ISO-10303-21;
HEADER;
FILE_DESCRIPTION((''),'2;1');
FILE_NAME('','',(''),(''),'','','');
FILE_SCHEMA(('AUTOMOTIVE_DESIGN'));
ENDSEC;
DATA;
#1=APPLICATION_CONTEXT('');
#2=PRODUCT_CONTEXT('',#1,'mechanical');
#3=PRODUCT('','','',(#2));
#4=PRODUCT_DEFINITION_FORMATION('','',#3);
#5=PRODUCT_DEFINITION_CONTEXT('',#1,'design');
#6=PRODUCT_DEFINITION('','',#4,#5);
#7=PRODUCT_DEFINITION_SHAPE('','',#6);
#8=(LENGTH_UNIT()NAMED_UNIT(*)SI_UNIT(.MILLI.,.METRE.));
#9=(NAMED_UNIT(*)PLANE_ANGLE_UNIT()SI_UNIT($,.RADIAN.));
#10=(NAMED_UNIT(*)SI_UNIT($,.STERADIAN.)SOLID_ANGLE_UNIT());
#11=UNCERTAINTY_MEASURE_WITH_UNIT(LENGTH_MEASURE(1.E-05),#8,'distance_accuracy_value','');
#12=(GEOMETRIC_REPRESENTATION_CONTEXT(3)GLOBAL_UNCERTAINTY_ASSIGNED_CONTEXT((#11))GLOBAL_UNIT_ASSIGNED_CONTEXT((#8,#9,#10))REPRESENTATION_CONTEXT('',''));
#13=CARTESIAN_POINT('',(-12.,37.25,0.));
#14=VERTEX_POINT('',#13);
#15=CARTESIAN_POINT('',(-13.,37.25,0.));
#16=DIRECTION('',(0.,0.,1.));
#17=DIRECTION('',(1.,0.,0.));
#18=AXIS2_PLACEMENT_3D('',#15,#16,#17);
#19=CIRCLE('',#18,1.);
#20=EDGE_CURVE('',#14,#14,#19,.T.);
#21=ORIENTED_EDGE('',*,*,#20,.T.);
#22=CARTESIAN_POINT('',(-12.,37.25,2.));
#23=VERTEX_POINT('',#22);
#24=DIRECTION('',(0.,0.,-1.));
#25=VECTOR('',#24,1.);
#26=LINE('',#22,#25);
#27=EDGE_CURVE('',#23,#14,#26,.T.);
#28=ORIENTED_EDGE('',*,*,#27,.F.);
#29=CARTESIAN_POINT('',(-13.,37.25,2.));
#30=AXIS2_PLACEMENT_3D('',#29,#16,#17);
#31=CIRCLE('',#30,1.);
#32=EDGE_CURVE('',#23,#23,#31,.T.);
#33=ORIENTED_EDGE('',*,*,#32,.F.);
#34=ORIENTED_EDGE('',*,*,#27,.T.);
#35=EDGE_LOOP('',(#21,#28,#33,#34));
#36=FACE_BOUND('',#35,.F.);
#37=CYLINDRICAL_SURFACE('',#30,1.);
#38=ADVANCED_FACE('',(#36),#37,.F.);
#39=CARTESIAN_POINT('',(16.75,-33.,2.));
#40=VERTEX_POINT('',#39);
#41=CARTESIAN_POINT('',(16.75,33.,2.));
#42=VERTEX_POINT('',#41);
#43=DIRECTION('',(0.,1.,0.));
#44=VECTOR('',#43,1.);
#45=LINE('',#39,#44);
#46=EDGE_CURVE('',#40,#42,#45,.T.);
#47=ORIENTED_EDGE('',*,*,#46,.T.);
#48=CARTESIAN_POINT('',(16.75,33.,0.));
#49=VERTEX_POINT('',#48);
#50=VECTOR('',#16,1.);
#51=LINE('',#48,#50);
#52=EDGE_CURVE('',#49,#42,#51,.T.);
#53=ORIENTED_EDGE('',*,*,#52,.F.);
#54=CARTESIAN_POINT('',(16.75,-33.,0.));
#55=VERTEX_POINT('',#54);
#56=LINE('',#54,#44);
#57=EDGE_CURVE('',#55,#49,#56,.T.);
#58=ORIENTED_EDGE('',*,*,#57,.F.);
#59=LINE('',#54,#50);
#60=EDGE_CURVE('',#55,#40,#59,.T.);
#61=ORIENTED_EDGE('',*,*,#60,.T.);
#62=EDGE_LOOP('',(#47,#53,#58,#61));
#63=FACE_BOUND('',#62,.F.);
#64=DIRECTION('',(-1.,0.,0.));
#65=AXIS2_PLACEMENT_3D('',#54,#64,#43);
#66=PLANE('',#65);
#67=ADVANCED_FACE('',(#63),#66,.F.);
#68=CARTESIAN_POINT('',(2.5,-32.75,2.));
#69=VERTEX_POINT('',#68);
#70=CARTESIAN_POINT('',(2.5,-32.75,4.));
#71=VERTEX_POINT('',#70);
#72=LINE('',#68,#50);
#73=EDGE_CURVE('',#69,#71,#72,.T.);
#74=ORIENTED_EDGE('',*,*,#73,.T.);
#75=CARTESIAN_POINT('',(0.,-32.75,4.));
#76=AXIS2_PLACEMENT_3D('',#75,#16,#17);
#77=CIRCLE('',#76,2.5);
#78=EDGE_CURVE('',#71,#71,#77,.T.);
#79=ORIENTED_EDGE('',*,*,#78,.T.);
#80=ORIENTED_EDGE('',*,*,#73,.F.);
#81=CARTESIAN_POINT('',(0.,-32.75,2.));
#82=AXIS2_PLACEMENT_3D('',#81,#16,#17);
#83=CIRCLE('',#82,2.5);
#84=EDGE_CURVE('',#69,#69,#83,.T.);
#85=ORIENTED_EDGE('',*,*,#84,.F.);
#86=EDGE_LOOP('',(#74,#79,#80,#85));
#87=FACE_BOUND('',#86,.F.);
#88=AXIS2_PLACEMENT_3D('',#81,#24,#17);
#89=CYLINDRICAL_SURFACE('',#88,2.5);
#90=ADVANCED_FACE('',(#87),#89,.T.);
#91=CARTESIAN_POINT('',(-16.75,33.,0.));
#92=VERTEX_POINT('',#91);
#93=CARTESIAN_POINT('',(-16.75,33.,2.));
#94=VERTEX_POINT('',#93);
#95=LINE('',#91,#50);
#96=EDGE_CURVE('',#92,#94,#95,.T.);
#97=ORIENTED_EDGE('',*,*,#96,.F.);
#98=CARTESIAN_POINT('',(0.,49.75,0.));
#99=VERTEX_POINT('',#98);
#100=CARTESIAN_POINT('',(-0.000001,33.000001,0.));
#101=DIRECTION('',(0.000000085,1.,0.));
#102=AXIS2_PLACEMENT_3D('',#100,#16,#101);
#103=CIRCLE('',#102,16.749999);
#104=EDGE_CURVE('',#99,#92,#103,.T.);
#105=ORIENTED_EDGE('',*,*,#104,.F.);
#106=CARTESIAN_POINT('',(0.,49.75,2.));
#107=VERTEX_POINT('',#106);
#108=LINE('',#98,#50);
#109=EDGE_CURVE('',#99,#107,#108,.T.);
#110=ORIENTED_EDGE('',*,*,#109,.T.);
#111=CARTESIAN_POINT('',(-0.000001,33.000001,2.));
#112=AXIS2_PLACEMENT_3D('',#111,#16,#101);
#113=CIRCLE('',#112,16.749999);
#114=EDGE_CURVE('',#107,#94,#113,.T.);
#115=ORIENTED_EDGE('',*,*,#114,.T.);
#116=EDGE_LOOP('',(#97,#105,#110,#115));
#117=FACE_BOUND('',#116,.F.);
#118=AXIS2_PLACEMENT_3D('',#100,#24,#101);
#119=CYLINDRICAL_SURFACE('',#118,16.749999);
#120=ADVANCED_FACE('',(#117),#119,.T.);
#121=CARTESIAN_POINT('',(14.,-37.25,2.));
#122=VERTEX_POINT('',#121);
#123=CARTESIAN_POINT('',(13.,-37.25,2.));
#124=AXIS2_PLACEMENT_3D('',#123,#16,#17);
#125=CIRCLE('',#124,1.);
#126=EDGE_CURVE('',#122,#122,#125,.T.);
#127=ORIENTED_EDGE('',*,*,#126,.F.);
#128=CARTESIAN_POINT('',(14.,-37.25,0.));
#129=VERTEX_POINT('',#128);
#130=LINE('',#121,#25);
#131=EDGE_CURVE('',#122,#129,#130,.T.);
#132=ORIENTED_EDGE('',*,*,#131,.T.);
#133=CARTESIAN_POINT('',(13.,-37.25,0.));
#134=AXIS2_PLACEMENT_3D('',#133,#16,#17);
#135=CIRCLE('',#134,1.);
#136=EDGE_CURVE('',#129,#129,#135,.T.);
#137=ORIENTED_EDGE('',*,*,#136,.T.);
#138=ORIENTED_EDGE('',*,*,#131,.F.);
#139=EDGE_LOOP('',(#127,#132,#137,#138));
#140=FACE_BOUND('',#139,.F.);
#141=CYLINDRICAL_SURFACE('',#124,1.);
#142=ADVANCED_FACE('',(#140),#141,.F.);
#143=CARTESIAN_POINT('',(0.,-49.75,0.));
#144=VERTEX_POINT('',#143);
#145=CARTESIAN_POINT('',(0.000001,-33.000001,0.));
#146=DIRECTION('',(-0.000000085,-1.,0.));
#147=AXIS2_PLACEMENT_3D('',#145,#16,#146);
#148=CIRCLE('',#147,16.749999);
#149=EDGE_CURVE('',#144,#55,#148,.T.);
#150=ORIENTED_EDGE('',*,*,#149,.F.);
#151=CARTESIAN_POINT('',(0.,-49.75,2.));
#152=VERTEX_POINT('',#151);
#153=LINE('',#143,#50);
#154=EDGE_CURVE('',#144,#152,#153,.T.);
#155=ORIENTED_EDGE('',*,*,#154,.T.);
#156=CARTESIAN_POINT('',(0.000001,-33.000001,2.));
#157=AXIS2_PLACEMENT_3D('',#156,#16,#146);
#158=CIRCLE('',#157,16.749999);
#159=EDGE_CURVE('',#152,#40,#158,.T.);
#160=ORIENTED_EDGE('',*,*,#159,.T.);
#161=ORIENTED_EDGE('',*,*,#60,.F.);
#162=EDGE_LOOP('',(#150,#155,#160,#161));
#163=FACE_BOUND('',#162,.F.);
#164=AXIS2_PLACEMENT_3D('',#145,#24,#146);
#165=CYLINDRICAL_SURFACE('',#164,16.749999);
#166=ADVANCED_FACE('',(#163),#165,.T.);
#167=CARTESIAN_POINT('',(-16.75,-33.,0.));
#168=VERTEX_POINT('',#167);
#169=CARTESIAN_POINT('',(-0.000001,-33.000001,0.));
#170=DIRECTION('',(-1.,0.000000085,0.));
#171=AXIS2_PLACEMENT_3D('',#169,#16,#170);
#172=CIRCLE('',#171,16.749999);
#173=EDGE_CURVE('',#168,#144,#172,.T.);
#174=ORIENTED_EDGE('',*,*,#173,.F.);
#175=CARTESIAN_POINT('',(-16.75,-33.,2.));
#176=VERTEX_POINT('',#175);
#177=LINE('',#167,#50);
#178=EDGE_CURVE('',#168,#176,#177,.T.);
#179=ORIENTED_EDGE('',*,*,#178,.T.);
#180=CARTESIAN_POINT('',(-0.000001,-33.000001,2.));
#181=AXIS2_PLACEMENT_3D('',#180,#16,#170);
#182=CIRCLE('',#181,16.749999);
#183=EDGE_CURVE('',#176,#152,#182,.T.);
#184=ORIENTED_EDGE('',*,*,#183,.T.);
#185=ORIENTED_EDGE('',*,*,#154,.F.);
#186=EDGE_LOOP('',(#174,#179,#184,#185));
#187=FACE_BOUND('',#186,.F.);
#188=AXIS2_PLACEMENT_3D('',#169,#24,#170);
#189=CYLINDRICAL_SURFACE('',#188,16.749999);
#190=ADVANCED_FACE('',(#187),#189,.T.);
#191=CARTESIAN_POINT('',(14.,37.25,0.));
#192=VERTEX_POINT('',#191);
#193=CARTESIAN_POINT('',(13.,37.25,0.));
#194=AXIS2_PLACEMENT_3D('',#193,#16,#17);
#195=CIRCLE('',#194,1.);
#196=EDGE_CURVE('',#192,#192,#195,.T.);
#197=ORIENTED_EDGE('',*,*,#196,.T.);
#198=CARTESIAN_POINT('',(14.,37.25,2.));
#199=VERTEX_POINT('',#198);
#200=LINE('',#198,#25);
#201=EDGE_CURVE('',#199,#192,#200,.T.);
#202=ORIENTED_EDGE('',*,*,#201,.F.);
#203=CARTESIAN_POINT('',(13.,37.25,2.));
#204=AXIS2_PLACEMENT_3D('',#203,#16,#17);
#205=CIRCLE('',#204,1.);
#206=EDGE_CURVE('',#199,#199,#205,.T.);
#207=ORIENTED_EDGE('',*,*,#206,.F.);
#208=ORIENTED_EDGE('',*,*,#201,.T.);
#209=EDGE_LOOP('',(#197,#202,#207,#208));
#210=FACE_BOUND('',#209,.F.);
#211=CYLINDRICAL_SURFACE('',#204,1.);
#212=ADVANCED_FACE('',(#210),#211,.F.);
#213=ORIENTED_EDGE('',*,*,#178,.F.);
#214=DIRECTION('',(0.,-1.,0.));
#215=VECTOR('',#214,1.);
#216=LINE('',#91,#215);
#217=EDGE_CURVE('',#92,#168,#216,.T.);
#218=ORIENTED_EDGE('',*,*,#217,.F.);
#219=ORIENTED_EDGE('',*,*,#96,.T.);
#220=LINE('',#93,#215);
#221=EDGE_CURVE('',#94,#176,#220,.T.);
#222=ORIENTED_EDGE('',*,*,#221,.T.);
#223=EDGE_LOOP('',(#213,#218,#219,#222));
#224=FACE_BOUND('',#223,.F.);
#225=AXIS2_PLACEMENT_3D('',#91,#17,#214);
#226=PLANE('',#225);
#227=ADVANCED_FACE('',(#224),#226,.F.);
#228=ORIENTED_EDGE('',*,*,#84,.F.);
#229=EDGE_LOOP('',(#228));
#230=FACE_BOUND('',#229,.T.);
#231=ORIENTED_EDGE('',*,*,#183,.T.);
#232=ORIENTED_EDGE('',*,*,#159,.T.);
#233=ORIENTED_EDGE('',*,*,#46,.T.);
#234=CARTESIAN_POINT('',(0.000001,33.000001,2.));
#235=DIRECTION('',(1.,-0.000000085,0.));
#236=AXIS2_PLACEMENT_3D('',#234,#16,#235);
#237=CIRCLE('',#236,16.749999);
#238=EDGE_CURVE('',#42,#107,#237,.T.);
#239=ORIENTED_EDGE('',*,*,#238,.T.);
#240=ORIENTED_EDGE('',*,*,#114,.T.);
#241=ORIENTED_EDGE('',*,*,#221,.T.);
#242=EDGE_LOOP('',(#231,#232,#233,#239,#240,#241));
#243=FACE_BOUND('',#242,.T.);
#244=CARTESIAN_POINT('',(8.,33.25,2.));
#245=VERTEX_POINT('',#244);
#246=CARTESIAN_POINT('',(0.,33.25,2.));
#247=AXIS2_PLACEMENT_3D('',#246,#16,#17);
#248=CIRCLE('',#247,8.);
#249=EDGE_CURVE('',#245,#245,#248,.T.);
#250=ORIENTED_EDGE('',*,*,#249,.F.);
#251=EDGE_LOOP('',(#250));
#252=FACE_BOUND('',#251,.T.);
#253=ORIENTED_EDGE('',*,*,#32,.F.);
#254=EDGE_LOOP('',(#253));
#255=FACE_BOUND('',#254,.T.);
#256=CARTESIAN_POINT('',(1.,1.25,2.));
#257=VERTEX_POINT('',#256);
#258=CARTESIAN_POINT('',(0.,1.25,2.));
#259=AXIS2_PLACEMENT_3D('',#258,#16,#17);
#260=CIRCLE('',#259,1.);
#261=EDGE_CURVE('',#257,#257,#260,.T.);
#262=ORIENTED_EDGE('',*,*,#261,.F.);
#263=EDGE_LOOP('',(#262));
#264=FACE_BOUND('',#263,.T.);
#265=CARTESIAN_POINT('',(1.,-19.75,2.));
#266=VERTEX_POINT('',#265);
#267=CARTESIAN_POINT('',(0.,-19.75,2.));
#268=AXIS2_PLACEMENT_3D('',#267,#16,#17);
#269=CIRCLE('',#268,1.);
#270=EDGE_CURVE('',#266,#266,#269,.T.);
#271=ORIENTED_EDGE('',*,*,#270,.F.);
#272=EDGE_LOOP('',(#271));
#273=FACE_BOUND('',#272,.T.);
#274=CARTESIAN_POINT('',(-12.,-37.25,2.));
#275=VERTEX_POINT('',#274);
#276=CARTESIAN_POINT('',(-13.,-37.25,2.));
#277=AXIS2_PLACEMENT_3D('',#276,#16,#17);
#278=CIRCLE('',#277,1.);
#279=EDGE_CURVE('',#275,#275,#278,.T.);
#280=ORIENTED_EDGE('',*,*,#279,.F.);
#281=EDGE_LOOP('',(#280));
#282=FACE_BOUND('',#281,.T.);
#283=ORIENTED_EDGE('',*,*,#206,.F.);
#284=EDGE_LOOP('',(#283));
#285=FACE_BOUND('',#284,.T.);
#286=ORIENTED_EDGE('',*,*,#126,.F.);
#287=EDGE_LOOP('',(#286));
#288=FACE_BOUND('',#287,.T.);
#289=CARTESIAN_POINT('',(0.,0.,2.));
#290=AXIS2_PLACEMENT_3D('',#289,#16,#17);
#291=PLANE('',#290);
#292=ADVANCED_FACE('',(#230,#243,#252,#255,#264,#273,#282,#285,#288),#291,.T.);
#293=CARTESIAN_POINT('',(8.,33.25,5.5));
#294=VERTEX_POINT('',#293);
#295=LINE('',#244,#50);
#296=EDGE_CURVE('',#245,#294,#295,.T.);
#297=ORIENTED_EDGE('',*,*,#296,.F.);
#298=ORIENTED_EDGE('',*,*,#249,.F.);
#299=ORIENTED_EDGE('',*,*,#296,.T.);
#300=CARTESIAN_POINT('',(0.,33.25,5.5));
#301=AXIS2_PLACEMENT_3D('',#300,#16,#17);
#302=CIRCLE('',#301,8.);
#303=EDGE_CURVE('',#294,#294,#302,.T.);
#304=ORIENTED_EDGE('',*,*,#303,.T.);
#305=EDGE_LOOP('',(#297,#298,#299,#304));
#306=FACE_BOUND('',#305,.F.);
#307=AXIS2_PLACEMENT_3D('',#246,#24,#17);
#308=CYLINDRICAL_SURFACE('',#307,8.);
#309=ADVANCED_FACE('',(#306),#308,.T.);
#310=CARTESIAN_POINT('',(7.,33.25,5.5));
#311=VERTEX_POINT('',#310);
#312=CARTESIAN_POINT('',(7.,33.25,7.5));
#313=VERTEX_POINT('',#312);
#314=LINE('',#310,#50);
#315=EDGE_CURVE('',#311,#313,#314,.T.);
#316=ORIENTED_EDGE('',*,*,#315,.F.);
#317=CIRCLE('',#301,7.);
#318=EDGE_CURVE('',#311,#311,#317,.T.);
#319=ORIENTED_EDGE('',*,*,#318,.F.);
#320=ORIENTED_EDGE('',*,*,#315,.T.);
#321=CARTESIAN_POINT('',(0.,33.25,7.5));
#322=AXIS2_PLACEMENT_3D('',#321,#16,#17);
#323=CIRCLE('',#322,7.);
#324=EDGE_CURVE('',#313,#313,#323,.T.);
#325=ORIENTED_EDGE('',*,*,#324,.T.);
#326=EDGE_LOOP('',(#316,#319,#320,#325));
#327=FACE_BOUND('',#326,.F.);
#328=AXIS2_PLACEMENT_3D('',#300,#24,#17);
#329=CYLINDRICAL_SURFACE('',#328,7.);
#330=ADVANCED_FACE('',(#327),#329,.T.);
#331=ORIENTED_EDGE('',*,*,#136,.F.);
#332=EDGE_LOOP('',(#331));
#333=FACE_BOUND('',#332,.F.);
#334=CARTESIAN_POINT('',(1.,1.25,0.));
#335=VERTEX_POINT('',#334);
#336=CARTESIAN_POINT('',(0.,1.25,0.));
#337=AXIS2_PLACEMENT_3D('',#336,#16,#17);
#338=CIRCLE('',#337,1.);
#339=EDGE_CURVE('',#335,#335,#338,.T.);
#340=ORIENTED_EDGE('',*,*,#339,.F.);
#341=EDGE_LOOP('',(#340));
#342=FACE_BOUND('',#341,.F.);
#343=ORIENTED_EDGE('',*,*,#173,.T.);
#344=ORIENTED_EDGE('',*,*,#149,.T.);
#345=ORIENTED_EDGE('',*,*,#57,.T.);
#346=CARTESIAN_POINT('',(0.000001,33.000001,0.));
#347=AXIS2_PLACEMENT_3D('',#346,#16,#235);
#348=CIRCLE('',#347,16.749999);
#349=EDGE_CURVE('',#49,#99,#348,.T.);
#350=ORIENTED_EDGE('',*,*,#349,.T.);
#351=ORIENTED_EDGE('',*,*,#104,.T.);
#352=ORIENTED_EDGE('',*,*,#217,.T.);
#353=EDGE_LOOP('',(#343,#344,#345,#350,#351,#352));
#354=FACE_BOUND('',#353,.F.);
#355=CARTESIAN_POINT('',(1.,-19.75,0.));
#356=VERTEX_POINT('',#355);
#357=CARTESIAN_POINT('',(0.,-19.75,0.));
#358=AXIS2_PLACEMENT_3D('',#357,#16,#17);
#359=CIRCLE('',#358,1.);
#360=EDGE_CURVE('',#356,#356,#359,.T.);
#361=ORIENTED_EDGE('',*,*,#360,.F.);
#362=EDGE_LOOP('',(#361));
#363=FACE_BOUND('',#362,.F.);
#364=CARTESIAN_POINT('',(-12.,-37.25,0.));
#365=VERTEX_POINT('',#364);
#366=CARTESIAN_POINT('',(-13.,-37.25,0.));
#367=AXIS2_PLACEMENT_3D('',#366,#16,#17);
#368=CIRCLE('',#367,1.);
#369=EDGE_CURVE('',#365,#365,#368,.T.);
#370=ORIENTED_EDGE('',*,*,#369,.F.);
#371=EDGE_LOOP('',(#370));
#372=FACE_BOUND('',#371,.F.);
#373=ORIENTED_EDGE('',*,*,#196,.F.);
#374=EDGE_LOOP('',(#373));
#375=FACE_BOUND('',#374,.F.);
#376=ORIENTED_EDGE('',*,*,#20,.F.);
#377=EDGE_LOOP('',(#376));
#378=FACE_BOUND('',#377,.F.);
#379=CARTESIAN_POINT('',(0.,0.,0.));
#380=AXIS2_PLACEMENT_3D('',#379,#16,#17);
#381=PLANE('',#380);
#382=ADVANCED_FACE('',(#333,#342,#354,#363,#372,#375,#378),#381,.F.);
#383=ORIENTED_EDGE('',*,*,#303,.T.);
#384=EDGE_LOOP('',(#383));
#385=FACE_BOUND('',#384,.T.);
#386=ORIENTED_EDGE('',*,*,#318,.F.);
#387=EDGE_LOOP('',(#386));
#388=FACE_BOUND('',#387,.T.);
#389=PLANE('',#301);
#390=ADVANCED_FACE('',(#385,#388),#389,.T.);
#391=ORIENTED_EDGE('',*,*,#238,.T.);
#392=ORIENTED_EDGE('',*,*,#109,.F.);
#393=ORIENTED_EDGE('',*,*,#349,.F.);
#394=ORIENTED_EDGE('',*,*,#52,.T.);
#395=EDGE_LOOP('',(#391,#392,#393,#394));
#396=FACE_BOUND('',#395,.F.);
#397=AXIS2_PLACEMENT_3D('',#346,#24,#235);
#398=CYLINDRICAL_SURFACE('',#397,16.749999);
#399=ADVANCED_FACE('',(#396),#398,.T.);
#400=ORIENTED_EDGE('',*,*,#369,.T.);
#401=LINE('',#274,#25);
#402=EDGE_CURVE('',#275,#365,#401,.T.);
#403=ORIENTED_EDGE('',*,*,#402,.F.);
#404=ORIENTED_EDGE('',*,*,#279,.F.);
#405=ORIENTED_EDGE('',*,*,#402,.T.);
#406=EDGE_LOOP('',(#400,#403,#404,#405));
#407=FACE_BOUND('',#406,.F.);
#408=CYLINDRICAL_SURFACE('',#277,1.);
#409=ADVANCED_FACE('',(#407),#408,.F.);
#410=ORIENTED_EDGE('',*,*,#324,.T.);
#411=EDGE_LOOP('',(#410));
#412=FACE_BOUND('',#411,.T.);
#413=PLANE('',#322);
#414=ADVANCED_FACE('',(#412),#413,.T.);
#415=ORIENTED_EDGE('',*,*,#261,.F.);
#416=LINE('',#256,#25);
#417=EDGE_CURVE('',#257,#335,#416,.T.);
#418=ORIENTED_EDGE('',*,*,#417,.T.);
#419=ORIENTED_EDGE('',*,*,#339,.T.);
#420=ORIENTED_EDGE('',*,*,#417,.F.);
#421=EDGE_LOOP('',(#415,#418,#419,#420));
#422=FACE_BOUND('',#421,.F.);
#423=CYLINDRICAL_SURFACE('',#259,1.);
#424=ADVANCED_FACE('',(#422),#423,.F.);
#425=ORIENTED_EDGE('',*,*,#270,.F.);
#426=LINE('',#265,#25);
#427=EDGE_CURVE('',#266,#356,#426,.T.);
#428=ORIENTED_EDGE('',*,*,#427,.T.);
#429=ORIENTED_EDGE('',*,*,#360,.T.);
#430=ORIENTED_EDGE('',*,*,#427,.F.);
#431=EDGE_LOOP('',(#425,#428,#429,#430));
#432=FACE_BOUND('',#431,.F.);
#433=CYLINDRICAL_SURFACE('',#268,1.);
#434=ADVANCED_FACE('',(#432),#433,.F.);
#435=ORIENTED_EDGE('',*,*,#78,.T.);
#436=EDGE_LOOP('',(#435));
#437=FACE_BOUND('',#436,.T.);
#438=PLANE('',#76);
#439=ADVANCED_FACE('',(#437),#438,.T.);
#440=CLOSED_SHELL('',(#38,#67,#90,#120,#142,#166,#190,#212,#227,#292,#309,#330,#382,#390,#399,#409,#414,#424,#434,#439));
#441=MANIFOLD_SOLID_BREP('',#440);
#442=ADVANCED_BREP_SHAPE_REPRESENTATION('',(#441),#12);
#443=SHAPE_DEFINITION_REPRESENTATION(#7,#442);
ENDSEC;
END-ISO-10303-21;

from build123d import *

# Parameters (mm, degrees)
F1_DEPTH = 2
F2_R     = 1
F3_DEPTH = 2.001
F4_R     = 8
F5_DEPTH = 3.5
F6_R     = 7
F7_DEPTH = 2
F8_R     = 2.5
F9_DEPTH = 2


with BuildPart() as f1:
    # F0 (on Top) → F1 (new body)
    with BuildSketch(Plane.XY):
        with BuildLine():
            Line((16.75, -33), (16.75, 33))
            ThreePointArc((16.75, 33), (11.844039, 44.844039), (0, 49.75))
            ThreePointArc((0, 49.75), (-11.844039, 44.844039), (-16.75, 33))
            Line((-16.75, 33), (-16.75, -33))
            ThreePointArc((-16.75, -33), (-11.844039, -44.844039), (0, -49.75))
            ThreePointArc((0, -49.75), (11.844039, -44.844039), (16.75, -33))
        make_face()
    extrude(amount=F1_DEPTH)

    # F2 (on face) → F3 (cut, through all)
    with BuildSketch(Plane.XY.offset(2)):
        with Locations((-13, -37.25)):
            Circle(F2_R)
        with Locations((13, -37.25)):
            Circle(F2_R)
        with Locations((0, 1.25)):
            Circle(F2_R)
        with Locations((0, -19.75)):
            Circle(F2_R)
        with Locations((13, 37.25)):
            Circle(F2_R)
        with Locations((-13, 37.25)):
            Circle(F2_R)
    extrude(amount=-F3_DEPTH, mode=Mode.SUBTRACT)

    # F4 (on face) → F5 (join)
    with BuildSketch(Plane.XY.offset(2)):
        with Locations((0, 33.25)):
            Circle(F4_R)
    extrude(amount=F5_DEPTH)

    # F6 (on face) → F7 (join)
    with BuildSketch(Plane.XY.offset(5.5)):
        with Locations((0, 33.25)):
            Circle(F6_R)
    extrude(amount=F7_DEPTH)

    # F8 (on face) → F9 (join)
    with BuildSketch(Plane.XY.offset(2)):
        with Locations((0, -32.75)):
            Circle(F8_R)
    extrude(amount=F9_DEPTH)


solid = f1.part
